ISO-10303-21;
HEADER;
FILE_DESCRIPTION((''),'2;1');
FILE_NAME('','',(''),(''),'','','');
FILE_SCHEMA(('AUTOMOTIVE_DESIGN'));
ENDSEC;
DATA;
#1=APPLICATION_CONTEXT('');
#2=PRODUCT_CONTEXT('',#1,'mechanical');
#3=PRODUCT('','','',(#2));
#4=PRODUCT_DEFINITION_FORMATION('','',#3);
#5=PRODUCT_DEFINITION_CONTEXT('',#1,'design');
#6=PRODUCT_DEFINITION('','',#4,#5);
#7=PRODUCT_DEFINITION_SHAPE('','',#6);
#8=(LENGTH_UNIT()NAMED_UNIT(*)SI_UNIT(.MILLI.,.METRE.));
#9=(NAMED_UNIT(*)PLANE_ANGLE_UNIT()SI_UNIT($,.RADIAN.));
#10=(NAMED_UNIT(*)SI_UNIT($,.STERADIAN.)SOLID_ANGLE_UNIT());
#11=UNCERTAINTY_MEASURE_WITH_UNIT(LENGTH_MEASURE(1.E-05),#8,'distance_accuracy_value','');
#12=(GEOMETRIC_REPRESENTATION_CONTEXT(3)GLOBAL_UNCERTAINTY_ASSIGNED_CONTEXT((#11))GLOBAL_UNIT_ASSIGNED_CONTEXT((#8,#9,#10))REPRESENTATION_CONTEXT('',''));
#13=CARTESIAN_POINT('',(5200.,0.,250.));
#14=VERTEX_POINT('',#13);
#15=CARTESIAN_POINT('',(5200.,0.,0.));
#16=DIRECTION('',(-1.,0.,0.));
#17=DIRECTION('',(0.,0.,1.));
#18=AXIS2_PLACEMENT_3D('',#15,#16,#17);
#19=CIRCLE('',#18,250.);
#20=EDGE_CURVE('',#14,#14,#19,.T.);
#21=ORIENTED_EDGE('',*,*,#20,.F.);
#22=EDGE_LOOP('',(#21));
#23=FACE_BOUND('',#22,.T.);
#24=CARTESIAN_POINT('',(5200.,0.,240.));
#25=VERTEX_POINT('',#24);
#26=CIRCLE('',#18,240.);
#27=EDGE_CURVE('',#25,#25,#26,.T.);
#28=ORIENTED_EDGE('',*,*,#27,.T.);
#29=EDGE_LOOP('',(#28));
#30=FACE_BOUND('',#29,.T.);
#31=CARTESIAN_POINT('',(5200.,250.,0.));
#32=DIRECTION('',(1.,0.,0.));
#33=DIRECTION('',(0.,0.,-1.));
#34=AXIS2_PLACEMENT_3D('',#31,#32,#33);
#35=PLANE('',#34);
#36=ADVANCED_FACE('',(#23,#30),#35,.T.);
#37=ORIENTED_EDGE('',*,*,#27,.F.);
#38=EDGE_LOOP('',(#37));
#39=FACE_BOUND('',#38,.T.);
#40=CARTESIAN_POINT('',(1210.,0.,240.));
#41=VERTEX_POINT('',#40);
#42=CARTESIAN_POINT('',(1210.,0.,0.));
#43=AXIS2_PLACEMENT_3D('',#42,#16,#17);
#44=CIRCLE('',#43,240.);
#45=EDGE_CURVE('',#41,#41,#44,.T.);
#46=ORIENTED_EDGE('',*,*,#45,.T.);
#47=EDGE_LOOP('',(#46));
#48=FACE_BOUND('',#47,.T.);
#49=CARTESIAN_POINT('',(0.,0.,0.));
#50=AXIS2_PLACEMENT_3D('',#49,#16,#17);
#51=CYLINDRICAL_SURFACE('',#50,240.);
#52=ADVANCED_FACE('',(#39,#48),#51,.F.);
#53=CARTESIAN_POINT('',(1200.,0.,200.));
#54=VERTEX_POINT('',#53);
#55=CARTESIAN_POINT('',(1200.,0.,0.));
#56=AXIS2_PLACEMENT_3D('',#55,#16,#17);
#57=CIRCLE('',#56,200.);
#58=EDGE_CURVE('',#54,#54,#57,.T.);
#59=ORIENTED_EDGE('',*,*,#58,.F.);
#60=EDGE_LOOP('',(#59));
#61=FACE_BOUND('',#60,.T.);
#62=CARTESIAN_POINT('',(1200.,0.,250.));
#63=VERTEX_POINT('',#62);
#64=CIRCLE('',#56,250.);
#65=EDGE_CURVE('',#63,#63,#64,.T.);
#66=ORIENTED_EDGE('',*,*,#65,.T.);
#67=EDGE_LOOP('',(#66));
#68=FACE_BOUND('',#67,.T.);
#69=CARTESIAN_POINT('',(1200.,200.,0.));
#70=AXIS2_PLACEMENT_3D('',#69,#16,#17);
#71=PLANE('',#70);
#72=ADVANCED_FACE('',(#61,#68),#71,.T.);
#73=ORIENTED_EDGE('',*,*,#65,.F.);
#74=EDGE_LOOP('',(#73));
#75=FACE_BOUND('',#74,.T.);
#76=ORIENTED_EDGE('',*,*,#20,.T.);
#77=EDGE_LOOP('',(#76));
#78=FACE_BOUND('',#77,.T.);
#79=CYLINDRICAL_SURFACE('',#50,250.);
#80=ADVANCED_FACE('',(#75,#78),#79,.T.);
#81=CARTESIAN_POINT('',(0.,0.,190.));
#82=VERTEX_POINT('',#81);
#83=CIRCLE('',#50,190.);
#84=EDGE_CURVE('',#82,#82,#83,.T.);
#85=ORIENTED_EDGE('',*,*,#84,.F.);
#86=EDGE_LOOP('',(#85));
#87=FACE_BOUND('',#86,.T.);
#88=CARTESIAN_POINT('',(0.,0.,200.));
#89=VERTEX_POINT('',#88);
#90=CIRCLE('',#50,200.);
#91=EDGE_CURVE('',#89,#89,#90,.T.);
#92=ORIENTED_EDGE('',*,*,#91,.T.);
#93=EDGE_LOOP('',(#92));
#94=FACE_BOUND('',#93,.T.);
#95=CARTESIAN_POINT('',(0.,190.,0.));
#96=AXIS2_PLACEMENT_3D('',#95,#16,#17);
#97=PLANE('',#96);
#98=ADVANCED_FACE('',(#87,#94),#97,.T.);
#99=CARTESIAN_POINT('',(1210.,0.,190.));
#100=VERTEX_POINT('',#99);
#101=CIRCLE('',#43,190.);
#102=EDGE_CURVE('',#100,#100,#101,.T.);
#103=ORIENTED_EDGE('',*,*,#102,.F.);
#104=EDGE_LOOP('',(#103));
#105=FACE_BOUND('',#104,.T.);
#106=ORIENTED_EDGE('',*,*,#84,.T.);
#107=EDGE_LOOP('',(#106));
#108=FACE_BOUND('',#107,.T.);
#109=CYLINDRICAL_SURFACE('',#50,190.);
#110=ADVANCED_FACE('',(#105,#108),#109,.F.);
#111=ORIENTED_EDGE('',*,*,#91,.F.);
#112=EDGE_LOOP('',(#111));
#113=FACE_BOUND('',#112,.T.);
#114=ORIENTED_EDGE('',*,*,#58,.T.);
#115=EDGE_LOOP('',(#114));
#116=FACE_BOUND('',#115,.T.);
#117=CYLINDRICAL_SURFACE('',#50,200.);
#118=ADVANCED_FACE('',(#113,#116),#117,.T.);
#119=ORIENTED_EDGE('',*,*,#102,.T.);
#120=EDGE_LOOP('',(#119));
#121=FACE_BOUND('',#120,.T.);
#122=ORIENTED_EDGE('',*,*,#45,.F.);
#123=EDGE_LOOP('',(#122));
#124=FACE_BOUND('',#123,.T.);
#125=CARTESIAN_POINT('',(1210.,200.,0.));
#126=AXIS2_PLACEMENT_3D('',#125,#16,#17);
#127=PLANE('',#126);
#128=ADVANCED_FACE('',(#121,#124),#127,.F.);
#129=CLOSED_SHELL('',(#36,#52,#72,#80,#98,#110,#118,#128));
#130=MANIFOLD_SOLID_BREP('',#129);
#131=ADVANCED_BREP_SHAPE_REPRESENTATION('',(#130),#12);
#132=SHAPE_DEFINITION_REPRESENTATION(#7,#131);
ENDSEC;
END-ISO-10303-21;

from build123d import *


with BuildPart() as part:
    # Sketch1 → Revolve-Thin1 (revolve)
    with BuildSketch(Plane.XY, mode=Mode.PRIVATE) as revolve_thin1_sk:
        Polygon((0, 200), (1200, 200), (1200, 250), (5200, 250), (5200, 240), (1210, 240), (1210, 190), (0, 190), align=None)
    revolve(revolve_thin1_sk.sketch.rotate(Axis((0, 0, 0), (1, 0, 0)), 90), axis=Axis((0, 0, 0), (1, 0, 0)))


solid = part.part
